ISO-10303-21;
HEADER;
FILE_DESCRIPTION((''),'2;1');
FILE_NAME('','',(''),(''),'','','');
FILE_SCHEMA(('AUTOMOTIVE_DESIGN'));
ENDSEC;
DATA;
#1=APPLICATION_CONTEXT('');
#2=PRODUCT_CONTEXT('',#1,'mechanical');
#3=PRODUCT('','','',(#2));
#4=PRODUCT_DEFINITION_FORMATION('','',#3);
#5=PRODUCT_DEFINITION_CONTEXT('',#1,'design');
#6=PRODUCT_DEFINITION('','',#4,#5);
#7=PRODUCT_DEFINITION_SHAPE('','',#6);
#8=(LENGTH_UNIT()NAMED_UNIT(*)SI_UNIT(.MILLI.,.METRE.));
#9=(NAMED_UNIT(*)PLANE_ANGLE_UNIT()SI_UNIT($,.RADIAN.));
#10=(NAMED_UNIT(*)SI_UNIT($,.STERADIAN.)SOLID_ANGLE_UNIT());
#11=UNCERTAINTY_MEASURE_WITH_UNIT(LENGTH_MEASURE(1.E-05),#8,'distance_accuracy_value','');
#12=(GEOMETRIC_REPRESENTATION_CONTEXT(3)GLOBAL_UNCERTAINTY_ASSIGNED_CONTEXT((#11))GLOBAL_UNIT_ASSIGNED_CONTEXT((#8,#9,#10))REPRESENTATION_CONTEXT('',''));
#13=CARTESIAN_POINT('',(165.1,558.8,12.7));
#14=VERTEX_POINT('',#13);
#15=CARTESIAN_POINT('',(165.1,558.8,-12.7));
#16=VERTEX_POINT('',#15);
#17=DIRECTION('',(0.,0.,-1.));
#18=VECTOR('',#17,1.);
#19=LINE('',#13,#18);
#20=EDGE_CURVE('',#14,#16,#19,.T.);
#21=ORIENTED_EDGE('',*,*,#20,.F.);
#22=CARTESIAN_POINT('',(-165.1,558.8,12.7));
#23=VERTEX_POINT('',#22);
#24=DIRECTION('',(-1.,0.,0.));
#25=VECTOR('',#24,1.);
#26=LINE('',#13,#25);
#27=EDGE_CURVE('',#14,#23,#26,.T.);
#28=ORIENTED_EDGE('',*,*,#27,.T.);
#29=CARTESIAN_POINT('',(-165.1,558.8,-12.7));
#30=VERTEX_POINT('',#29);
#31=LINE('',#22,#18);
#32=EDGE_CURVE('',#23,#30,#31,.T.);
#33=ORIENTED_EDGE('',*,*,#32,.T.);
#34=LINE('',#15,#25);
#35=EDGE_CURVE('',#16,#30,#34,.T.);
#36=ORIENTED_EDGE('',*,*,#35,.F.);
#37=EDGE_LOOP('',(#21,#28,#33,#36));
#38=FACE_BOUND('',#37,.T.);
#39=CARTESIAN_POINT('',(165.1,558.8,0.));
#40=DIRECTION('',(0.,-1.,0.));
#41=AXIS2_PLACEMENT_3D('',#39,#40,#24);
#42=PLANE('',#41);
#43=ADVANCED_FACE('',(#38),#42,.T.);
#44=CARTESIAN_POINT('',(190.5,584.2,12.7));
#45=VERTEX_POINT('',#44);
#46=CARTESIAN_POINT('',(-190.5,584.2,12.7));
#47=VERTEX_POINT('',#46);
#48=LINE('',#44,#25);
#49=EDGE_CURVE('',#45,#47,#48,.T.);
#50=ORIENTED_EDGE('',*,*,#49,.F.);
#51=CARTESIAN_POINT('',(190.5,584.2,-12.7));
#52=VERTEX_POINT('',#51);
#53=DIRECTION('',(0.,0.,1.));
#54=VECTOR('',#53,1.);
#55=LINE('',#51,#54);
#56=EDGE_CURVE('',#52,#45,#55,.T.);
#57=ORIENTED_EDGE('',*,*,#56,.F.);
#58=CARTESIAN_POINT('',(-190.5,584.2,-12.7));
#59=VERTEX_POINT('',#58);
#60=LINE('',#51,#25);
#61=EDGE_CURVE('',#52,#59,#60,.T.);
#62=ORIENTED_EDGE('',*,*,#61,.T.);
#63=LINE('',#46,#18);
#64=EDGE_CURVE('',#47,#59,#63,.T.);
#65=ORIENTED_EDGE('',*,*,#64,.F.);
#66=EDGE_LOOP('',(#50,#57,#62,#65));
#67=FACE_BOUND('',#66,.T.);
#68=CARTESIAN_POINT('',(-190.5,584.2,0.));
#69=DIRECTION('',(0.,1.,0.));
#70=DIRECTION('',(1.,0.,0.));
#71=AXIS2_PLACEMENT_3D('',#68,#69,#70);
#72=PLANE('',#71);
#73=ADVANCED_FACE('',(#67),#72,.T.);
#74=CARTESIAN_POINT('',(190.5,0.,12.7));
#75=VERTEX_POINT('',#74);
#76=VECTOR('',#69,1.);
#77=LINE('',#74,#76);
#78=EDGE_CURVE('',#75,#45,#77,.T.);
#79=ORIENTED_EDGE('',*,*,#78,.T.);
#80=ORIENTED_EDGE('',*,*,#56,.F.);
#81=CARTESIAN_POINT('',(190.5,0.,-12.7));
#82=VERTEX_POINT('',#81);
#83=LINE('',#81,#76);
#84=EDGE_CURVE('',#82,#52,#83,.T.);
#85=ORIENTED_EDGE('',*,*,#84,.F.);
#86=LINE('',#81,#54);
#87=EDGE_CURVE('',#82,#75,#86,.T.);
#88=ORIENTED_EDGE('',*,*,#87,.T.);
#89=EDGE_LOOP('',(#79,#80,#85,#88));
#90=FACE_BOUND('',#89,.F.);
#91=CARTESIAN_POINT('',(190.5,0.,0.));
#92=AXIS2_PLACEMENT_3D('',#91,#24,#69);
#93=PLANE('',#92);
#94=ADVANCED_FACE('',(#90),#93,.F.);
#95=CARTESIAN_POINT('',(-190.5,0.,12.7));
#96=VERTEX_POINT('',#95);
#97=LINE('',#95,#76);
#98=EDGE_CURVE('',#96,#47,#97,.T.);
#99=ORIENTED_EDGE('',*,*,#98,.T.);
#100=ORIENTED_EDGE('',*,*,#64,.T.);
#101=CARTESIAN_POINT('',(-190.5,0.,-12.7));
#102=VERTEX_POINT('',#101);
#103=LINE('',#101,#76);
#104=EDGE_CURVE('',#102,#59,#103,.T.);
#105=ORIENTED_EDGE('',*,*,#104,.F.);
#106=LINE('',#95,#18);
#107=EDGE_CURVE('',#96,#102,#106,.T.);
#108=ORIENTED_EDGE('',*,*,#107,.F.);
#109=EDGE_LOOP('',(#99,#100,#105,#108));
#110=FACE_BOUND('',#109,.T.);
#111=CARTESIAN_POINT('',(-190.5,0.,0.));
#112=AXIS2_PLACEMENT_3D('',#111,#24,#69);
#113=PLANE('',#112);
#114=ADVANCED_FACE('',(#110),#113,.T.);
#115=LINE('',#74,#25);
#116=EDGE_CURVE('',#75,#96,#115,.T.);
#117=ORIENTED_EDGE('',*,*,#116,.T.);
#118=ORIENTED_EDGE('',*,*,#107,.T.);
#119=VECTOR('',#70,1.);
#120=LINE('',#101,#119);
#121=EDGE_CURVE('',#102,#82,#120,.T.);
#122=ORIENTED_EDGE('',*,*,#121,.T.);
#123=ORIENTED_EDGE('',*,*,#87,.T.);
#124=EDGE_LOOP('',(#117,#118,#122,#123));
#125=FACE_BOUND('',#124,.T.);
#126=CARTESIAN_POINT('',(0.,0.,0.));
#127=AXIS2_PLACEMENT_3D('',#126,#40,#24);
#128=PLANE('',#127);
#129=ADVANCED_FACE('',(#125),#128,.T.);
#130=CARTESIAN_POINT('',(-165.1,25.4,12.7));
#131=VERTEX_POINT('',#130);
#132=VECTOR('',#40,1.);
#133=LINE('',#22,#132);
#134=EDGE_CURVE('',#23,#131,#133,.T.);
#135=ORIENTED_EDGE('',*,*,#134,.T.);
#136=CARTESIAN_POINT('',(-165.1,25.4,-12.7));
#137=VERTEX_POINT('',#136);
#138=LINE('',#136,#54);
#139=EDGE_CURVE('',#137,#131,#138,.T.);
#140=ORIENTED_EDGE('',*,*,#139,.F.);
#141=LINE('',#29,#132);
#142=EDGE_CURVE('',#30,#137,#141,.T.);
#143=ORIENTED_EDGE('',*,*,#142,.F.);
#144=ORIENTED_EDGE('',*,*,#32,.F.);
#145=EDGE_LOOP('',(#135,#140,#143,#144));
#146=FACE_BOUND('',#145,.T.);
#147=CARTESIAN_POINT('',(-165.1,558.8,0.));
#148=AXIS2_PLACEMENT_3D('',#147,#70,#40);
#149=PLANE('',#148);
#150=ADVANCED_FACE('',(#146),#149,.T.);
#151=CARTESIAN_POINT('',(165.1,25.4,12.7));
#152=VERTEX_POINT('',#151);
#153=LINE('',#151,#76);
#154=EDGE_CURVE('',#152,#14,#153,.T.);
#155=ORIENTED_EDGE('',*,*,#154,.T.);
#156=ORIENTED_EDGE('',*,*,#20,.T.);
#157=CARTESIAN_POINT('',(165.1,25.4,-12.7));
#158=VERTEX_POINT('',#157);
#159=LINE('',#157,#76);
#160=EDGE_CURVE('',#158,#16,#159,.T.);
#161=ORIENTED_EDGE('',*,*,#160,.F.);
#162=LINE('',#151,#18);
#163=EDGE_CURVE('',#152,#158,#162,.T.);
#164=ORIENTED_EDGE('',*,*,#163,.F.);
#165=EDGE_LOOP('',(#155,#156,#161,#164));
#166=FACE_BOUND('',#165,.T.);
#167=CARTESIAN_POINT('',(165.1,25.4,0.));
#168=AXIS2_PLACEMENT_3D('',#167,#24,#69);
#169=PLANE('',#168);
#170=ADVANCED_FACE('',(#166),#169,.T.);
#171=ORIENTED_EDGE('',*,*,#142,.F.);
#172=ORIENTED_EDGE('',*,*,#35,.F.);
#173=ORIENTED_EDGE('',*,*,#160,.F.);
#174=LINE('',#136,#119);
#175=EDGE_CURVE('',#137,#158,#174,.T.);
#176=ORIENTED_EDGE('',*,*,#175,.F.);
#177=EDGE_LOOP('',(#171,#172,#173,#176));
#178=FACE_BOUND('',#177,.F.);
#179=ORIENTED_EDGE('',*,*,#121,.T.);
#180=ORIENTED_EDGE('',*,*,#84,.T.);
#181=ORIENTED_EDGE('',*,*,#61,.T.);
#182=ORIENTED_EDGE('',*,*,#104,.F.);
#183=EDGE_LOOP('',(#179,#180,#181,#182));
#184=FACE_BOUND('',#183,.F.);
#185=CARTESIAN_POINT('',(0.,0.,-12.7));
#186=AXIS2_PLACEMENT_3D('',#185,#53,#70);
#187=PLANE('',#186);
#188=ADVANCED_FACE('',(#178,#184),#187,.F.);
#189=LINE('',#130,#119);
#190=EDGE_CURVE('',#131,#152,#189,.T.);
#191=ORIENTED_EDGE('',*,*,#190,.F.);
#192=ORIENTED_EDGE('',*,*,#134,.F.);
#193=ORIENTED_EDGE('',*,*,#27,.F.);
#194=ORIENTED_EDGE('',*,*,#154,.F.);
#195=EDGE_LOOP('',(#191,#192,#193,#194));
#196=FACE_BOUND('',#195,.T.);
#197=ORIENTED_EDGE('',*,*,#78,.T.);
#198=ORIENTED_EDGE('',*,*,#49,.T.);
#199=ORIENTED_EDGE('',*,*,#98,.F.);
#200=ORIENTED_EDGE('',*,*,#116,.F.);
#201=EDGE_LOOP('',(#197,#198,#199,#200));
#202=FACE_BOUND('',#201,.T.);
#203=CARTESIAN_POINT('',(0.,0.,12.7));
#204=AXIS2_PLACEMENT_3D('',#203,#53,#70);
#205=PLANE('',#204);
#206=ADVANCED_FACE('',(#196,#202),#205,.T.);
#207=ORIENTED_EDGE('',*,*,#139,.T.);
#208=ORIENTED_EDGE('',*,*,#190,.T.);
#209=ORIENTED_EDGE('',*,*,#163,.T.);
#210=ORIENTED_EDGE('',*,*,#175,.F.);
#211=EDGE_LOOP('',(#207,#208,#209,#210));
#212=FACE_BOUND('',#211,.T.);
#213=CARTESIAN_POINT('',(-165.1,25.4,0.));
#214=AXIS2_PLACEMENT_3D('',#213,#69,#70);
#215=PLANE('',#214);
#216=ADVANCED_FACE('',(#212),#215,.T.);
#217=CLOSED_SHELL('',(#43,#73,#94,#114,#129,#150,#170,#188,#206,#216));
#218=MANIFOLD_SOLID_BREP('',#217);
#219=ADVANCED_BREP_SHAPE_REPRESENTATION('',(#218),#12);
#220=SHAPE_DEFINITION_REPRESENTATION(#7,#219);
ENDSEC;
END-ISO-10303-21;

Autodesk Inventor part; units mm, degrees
ref_plane "YZ Plane" through (0, 0, 0) normal (1, 0, 0) x (0, 1, 0)
ref_plane "XZ Plane" through (0, 0, 0) normal (0, 1, 0) x (-1, 0, 0)
ref_plane "XY Plane" through (0, 0, 0) normal (0, 0, 1) x (1, 0, 0)
sketch "Sketch1" plane through (0, 0, 0) normal (0, 0, 1) x (1, 0, 0)
  line L0 (0, 0) -> (190.5, 0)
  line L1 (190.5, 0) -> (190.5, 584.2)
  line L2 (190.5, 584.2) -> (0, 584.2)
  line L3 (0, 0) -> (0, 584.2) construction
  line L4 (0, 0) -> (-190.5, 0)
  line L5 (-190.5, 0) -> (-190.5, 584.2)
  line L6 (-190.5, 584.2) -> (0, 584.2)
  line L7 (-165.1, 25.4) -> (165.1, 25.4)
  line L8 (165.1, 25.4) -> (165.1, 558.8)
  line L9 (165.1, 558.8) -> (-165.1, 558.8)
  line L10 (-165.1, 558.8) -> (-165.1, 25.4)
  dimension "d1" = 584.2
  dimension "d2" = 381
  dimension "d3" = 25.4
  dimension "d4" = 25.4
  dimension "d5" = 25.4
  dimension "d6" = 25.4
extrude "Extrusion1" add sketch "Sketch1" along normal mid plane 25.4
properties part number "primate4thStageForShortRobot"
